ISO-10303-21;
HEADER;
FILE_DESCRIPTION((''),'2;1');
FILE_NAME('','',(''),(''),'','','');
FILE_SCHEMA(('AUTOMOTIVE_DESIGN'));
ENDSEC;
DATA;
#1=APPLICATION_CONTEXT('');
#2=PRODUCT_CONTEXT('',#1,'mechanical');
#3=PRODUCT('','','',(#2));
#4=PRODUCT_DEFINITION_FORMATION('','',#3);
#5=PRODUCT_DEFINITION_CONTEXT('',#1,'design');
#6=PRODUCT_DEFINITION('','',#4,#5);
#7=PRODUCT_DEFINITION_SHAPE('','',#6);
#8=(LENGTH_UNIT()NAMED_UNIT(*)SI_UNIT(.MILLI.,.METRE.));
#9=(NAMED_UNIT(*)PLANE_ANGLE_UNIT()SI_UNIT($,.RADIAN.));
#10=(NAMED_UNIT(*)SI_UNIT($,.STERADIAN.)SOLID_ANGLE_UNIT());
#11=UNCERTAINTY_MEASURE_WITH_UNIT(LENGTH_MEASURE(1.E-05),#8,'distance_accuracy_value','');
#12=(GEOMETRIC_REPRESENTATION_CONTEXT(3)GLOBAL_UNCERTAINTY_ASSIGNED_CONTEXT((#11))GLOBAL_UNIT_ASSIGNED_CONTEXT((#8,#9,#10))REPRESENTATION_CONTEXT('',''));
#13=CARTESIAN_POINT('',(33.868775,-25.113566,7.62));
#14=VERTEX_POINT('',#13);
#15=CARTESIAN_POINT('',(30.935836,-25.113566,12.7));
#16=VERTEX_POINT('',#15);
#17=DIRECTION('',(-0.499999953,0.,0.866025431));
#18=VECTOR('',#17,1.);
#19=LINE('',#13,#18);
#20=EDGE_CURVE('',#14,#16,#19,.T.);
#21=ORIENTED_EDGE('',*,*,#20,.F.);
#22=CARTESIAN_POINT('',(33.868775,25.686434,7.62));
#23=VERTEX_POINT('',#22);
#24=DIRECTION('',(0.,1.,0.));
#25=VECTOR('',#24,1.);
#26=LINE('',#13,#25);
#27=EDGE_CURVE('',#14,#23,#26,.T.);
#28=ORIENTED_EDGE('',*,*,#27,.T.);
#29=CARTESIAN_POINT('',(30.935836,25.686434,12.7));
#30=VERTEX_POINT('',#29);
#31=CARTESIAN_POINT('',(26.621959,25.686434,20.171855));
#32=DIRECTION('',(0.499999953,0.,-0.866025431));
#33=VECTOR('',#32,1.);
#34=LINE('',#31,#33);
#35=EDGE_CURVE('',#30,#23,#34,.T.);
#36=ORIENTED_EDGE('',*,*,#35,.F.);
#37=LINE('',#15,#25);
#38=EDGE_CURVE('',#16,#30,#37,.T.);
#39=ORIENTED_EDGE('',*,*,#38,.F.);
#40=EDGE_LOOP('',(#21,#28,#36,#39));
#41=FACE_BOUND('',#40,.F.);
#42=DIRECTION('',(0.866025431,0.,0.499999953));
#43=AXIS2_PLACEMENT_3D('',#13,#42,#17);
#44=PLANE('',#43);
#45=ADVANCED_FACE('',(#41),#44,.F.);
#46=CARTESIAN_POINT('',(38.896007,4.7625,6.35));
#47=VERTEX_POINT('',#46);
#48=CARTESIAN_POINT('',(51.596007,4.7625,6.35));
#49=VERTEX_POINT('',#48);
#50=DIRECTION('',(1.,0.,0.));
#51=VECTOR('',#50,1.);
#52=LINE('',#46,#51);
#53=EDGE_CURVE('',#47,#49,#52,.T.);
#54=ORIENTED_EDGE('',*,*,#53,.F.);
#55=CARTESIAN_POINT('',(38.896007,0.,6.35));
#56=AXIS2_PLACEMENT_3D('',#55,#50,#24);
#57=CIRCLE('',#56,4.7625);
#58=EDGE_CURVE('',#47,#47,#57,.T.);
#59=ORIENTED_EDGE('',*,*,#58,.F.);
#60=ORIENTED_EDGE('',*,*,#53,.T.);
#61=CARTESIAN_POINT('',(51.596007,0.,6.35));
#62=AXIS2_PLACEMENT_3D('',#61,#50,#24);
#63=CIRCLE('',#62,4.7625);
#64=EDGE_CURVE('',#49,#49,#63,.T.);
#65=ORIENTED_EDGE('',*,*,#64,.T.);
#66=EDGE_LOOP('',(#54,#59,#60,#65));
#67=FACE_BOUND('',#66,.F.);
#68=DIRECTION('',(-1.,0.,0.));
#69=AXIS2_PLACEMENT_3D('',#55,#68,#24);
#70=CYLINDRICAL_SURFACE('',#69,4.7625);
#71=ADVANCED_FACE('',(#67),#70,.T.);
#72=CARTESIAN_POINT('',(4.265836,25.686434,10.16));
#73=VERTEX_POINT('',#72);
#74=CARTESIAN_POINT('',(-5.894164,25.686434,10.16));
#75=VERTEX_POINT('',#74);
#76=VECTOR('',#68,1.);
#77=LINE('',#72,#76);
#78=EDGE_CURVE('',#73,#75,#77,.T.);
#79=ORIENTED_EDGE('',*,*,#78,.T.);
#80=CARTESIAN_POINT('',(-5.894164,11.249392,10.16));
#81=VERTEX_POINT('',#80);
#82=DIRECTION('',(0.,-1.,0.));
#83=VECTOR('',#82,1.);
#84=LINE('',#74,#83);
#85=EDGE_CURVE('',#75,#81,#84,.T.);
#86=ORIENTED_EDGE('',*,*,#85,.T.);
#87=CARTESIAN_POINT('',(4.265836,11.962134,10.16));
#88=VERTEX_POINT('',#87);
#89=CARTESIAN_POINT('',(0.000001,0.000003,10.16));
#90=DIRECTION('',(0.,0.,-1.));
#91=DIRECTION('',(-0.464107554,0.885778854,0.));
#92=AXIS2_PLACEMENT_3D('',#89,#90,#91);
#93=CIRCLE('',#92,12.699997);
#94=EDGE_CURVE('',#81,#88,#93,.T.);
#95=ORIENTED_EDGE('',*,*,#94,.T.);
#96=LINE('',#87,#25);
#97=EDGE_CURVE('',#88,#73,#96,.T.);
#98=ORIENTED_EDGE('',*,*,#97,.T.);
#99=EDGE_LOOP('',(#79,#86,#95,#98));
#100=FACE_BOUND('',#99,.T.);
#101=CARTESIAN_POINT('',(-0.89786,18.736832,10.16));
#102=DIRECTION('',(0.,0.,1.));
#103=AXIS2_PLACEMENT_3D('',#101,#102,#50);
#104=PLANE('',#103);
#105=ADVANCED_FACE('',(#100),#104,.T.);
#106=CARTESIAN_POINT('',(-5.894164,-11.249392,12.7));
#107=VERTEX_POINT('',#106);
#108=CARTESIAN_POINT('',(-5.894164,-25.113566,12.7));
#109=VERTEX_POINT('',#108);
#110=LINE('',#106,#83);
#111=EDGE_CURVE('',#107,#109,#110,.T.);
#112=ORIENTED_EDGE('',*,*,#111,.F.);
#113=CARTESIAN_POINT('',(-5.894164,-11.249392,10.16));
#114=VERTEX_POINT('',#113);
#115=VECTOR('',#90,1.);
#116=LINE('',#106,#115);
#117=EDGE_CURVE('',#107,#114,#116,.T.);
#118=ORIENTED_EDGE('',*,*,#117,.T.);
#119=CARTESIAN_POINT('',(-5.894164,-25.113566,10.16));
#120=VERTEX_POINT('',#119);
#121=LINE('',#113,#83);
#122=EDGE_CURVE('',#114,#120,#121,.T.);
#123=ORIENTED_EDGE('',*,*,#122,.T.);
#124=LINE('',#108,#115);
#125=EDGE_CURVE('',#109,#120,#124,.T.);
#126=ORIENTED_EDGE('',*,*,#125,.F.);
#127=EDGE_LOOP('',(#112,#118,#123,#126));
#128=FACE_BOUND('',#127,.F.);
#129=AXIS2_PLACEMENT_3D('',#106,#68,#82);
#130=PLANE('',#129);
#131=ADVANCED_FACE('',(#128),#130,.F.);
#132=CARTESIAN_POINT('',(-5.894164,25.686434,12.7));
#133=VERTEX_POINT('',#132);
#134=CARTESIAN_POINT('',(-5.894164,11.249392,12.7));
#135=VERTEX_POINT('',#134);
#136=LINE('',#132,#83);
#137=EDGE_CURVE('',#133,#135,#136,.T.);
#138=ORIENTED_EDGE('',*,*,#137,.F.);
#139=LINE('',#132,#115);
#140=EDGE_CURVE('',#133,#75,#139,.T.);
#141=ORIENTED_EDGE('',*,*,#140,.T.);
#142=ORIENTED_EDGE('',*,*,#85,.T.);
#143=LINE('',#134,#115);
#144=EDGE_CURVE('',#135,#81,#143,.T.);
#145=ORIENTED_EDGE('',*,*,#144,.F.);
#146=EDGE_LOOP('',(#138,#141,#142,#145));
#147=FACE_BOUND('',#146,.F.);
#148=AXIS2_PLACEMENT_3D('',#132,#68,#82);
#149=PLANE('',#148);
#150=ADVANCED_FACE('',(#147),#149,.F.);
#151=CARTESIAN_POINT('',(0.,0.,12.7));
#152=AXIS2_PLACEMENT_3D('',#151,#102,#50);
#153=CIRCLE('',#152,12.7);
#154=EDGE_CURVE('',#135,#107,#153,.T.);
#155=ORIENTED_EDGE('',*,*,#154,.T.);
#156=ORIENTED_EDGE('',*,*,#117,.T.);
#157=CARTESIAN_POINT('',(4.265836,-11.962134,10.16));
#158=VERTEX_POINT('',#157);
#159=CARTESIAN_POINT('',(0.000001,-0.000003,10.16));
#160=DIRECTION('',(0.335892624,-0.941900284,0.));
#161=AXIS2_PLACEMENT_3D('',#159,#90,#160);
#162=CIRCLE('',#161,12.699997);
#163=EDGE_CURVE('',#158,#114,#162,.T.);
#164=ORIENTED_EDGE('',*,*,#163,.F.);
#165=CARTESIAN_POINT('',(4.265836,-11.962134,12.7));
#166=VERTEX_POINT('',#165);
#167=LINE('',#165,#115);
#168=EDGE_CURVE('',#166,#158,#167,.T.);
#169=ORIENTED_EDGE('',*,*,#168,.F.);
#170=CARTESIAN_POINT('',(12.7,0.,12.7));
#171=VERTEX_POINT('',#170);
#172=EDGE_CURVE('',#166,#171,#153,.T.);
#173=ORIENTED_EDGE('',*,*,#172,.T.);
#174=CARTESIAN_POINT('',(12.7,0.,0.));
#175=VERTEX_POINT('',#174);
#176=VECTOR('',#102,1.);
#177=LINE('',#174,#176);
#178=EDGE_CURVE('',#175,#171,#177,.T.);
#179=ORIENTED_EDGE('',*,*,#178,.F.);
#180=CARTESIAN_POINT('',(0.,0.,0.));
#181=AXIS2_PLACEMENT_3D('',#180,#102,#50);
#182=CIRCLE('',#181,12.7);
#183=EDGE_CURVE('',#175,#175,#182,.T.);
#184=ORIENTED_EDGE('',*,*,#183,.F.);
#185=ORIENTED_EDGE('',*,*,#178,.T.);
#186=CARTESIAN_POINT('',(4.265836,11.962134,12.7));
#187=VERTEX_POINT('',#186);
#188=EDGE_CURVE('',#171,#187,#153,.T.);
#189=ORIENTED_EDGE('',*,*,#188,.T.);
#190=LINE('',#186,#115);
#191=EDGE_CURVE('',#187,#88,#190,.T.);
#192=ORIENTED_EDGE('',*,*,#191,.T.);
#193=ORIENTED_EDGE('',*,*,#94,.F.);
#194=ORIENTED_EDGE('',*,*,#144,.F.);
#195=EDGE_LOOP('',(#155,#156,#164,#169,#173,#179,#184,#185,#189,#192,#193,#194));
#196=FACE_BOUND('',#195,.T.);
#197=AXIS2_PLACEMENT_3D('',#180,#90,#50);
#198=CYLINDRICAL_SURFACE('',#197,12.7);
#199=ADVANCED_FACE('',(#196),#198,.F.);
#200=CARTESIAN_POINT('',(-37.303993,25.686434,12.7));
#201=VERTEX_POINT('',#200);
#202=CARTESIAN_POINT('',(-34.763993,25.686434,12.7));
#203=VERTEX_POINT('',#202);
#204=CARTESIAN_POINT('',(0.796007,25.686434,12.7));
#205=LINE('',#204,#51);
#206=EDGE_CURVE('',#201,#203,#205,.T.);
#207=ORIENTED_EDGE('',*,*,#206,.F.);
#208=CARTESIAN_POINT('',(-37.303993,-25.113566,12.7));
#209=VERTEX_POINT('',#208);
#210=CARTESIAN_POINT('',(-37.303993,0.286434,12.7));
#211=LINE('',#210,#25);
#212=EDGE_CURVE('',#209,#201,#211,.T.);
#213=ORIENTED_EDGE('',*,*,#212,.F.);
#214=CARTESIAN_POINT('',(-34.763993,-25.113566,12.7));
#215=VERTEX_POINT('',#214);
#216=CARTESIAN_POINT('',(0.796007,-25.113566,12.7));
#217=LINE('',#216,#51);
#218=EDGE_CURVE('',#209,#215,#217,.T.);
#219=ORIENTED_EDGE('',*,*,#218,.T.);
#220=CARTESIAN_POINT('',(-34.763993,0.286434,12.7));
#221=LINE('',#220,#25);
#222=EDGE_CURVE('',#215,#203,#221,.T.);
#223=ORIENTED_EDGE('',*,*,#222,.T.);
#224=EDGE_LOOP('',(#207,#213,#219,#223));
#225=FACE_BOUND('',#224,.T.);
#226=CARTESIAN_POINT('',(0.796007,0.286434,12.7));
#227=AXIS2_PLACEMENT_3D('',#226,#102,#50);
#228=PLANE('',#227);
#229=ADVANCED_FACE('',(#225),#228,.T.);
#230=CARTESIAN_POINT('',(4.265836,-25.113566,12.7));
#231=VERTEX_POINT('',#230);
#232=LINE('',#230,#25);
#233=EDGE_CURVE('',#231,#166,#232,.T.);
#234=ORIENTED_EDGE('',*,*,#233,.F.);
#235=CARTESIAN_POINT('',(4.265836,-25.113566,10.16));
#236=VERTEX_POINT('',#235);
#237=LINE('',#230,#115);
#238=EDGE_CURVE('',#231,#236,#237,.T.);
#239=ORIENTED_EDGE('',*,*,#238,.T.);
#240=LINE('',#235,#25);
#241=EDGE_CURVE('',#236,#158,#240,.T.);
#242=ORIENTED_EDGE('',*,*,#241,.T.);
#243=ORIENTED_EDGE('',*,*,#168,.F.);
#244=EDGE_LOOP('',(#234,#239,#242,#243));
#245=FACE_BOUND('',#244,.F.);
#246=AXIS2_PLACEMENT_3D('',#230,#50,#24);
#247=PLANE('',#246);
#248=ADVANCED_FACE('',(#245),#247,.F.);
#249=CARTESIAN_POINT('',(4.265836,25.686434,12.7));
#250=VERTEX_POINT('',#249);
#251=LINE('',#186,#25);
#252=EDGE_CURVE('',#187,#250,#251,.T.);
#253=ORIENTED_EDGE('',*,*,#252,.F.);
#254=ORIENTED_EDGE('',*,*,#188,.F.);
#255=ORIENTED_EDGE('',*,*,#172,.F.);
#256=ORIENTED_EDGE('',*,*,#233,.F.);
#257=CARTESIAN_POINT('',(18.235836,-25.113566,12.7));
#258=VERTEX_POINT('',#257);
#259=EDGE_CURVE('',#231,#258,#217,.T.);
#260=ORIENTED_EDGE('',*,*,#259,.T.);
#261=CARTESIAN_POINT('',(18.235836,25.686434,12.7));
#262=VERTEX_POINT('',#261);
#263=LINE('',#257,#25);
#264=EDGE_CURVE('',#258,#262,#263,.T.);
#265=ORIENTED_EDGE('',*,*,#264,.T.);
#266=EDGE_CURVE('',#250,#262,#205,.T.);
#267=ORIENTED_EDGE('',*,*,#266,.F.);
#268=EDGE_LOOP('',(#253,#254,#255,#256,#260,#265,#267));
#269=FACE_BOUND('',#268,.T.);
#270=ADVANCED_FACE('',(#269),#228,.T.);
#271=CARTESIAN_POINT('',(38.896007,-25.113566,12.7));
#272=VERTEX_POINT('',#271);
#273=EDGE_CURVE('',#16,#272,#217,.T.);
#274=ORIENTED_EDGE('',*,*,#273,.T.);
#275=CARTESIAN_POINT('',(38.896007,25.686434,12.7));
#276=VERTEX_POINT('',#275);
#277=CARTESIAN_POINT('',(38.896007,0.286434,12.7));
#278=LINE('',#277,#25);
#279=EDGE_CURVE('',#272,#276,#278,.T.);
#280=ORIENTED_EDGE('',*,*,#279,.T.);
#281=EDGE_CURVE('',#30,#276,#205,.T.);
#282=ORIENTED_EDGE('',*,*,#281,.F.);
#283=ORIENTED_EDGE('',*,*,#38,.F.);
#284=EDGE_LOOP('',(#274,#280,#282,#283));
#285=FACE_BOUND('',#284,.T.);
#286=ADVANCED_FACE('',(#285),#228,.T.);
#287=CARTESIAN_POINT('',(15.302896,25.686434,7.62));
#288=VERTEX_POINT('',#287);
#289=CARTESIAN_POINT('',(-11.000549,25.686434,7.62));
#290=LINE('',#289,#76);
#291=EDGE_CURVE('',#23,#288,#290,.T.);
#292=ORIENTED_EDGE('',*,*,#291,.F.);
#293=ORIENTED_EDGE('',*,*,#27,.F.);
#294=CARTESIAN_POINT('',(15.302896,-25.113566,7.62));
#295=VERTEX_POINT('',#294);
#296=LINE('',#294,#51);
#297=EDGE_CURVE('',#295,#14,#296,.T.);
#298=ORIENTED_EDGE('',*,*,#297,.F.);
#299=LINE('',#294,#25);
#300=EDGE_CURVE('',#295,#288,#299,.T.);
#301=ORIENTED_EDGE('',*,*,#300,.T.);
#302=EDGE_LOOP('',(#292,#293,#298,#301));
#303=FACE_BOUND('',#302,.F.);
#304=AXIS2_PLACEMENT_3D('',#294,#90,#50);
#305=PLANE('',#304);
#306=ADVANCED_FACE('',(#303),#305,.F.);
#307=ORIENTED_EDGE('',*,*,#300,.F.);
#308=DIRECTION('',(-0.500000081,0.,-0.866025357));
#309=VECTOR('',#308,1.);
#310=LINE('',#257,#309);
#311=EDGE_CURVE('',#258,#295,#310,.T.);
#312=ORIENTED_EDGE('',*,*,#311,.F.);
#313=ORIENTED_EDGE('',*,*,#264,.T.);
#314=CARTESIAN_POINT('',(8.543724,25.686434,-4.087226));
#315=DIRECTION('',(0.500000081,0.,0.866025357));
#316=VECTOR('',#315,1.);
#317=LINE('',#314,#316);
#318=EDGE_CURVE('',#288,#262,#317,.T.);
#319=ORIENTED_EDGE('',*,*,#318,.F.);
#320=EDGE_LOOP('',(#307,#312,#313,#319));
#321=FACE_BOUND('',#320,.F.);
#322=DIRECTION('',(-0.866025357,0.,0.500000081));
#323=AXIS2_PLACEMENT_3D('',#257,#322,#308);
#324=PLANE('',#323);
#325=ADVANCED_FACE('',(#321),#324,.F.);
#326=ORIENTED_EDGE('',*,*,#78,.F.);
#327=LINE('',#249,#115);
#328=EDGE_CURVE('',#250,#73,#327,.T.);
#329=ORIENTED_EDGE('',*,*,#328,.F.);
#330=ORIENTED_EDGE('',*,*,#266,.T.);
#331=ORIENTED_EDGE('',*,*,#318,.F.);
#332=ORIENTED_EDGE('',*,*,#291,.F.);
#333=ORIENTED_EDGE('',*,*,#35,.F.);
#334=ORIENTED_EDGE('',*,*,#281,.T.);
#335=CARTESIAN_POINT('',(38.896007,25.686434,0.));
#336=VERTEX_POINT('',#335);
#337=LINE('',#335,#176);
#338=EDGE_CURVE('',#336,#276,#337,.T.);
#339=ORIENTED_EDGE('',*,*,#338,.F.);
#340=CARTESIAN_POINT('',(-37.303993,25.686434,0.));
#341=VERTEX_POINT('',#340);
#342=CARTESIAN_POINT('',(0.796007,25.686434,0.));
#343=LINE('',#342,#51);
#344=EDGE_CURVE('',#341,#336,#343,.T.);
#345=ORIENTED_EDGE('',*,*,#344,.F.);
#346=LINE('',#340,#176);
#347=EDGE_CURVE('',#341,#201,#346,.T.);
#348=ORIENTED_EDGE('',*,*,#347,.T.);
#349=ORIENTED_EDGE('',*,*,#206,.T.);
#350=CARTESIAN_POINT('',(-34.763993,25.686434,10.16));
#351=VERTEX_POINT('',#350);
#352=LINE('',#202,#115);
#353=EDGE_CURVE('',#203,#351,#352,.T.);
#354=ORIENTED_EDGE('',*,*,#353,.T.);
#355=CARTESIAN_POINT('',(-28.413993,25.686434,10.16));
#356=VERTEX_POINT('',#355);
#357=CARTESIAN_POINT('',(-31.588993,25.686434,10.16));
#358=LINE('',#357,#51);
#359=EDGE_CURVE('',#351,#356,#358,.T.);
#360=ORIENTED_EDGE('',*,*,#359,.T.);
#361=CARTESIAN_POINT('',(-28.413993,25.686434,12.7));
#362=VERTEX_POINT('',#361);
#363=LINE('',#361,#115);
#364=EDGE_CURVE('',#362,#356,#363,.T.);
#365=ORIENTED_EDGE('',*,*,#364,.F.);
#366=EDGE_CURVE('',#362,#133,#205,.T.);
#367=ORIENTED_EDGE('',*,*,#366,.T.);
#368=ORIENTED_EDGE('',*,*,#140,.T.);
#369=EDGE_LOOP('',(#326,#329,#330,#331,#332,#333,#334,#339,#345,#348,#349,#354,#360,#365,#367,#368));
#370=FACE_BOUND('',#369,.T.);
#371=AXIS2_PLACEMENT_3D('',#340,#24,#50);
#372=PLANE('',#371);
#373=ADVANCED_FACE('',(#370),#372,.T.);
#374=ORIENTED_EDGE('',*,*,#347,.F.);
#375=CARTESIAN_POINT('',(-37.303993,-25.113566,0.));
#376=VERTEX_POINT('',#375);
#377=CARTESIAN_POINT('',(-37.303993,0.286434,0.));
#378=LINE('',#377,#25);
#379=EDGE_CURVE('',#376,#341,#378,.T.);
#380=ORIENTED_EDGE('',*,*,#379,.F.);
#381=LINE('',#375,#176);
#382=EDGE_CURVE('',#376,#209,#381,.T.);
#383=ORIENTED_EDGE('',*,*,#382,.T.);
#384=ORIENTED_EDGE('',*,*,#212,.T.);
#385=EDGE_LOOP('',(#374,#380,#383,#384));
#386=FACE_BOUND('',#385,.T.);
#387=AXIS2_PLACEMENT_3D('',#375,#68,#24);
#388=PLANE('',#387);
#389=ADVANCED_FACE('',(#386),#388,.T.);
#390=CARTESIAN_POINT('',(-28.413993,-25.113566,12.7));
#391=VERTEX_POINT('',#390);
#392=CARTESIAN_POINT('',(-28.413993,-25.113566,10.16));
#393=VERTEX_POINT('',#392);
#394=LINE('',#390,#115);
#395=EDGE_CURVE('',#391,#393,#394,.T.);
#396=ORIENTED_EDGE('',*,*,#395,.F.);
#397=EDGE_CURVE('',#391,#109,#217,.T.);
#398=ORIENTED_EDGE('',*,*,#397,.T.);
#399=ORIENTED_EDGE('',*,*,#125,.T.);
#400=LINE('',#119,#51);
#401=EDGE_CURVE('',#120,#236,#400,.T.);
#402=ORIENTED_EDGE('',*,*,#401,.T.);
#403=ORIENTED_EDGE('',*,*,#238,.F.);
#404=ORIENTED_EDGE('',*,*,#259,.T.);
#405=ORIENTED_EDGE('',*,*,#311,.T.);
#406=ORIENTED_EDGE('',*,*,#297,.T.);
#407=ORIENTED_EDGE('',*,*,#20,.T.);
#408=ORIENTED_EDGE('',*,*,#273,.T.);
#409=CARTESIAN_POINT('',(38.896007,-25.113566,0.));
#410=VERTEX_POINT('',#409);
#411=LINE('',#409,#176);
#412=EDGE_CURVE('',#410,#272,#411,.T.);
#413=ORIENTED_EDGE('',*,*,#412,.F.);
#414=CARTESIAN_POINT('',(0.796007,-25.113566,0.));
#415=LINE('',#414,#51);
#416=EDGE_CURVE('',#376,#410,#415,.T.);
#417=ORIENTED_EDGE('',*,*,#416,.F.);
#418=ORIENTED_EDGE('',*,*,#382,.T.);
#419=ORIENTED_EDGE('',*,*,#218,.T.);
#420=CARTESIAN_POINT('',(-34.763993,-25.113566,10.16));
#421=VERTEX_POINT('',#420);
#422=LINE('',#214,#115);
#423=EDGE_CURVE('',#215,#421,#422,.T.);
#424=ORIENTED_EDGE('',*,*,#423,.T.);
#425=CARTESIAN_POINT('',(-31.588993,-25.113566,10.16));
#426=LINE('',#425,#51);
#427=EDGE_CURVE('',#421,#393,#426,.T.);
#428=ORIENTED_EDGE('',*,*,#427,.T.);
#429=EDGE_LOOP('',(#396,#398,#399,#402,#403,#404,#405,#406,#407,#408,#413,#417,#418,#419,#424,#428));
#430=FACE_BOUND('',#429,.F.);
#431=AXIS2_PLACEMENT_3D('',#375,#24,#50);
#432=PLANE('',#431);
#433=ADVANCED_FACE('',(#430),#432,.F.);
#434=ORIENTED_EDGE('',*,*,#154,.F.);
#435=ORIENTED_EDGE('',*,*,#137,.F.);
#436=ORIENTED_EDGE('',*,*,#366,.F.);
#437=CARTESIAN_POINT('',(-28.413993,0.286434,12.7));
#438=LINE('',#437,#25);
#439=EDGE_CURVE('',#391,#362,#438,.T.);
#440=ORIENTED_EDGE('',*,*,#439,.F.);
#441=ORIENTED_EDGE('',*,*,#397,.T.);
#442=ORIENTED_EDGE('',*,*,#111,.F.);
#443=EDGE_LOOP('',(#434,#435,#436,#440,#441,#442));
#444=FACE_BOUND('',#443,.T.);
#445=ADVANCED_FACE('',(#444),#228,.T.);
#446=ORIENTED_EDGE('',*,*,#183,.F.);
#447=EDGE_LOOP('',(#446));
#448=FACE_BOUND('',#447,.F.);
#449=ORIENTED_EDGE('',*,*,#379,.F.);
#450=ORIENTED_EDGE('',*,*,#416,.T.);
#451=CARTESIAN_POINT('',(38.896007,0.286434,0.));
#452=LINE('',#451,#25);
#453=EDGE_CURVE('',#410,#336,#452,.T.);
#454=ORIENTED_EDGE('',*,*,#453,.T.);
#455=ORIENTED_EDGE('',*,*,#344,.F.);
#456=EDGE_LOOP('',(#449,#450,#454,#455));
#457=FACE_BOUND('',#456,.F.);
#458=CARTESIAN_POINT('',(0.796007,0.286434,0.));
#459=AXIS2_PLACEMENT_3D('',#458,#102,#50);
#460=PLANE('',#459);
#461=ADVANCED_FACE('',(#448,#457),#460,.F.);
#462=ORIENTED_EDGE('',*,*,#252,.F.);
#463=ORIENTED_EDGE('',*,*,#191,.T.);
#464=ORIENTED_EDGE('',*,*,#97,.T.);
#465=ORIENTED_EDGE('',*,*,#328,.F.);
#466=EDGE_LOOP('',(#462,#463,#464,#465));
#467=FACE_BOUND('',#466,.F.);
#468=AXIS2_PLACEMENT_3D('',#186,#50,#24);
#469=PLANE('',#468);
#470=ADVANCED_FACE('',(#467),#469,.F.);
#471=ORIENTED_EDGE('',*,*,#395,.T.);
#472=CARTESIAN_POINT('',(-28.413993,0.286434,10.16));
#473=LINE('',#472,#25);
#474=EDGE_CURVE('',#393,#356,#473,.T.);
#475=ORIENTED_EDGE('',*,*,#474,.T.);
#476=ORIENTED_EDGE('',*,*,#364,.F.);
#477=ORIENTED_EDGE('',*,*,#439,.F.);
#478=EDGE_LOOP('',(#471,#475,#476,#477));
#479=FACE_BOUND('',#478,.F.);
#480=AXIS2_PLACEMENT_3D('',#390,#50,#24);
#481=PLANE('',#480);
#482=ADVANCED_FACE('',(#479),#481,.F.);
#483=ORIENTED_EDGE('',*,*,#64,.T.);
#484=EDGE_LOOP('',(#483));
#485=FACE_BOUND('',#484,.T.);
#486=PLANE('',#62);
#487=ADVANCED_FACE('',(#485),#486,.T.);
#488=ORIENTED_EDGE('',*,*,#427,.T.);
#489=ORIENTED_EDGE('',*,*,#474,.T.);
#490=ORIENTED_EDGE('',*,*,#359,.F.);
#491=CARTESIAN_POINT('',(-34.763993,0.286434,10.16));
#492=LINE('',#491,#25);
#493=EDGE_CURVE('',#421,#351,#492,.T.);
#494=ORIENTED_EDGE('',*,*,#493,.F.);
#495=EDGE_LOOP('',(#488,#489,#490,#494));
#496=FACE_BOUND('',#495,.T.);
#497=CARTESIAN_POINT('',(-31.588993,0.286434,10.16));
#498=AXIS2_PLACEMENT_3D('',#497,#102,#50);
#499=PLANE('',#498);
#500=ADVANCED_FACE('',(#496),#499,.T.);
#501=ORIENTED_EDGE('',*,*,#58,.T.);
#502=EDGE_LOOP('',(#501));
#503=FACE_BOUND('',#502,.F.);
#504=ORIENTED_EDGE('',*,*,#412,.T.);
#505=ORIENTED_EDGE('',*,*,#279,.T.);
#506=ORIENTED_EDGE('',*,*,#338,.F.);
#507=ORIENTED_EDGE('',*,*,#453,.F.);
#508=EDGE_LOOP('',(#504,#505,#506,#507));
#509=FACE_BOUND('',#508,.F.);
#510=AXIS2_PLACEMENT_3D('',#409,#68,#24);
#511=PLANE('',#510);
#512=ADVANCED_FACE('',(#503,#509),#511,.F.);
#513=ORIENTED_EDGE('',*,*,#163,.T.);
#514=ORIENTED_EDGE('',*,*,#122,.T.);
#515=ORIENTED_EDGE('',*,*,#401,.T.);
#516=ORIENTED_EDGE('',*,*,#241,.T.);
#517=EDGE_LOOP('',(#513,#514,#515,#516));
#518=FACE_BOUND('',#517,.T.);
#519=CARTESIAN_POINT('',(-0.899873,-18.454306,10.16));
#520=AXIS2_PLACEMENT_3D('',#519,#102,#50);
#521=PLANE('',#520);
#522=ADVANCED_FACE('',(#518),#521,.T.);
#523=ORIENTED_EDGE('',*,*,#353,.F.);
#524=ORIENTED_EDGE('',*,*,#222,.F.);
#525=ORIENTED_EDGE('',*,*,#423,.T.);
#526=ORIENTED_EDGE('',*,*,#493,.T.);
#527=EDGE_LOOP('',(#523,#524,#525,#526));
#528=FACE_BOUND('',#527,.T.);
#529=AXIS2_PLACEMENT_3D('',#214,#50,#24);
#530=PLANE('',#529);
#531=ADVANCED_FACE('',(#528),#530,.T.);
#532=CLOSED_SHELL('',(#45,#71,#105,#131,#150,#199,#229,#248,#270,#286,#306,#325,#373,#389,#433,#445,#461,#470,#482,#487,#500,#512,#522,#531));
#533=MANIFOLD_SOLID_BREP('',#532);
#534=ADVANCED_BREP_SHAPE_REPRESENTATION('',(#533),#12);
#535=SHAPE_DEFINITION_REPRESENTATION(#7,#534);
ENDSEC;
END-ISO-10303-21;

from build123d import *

# Parameters (mm, degrees)
F0_W     = 76.2
F0_H     = 50.8
F0_R     = 12.7
F1_DEPTH = 12.7
F2_W     = 6.35
F2_H     = 50.8
F3_DEPTH = 2.54
F5_DEPTH = 50.801
F6_R     = 4.7625
F7_DEPTH = 12.7


with BuildPart() as f1:
    # F0 (on Top) → F1 (new body)
    with BuildSketch(Plane.XY):
        with Locations((0.796007, 0.286434)):
            Rectangle(F0_W, F0_H)
        Circle(F0_R, mode=Mode.SUBTRACT)
    extrude(amount=F1_DEPTH)

    # F2 (on face) → F3 (cut)
    with BuildSketch(Plane.XY.offset(12.7)):
        with Locations((-31.588993, 0.286434)):
            Rectangle(F2_W, F2_H)
        with BuildLine():
            Line((-5.894164, -11.249392), (-5.894164, -25.113566))
            Line((-5.894164, -25.113566), (4.265836, -25.113566))
            Line((4.265836, -25.113566), (4.265836, -11.962134))
            ThreePointArc((4.265836, -11.962134), (-0.888743, -12.668865), (-5.894164, -11.249392))
        make_face()
        with BuildLine():
            Line((4.265836, 25.686434), (-5.894164, 25.686434))
            Line((-5.894164, 25.686434), (-5.894164, 11.249392))
            ThreePointArc((-5.894164, 11.249392), (-0.888743, 12.668865), (4.265836, 11.962134))
            Line((4.265836, 11.962134), (4.265836, 25.686434))
        make_face()
    extrude(amount=-F3_DEPTH, mode=Mode.SUBTRACT)

    # F4 (on face) → F5 (cut, through all)
    with BuildSketch(Plane.XZ.offset(25.113566)):
        Polygon((30.935836, 12.7), (18.235836, 12.7), (15.302896, 7.62), (33.868775, 7.62), align=None)
    extrude(amount=-F5_DEPTH, mode=Mode.SUBTRACT)

    # F6 (on face) → F7 (join)
    with BuildSketch(Plane.YZ.offset(38.896007)):
        with Locations((0, 6.35)):
            Circle(F6_R)
    extrude(amount=F7_DEPTH)


solid = f1.part
